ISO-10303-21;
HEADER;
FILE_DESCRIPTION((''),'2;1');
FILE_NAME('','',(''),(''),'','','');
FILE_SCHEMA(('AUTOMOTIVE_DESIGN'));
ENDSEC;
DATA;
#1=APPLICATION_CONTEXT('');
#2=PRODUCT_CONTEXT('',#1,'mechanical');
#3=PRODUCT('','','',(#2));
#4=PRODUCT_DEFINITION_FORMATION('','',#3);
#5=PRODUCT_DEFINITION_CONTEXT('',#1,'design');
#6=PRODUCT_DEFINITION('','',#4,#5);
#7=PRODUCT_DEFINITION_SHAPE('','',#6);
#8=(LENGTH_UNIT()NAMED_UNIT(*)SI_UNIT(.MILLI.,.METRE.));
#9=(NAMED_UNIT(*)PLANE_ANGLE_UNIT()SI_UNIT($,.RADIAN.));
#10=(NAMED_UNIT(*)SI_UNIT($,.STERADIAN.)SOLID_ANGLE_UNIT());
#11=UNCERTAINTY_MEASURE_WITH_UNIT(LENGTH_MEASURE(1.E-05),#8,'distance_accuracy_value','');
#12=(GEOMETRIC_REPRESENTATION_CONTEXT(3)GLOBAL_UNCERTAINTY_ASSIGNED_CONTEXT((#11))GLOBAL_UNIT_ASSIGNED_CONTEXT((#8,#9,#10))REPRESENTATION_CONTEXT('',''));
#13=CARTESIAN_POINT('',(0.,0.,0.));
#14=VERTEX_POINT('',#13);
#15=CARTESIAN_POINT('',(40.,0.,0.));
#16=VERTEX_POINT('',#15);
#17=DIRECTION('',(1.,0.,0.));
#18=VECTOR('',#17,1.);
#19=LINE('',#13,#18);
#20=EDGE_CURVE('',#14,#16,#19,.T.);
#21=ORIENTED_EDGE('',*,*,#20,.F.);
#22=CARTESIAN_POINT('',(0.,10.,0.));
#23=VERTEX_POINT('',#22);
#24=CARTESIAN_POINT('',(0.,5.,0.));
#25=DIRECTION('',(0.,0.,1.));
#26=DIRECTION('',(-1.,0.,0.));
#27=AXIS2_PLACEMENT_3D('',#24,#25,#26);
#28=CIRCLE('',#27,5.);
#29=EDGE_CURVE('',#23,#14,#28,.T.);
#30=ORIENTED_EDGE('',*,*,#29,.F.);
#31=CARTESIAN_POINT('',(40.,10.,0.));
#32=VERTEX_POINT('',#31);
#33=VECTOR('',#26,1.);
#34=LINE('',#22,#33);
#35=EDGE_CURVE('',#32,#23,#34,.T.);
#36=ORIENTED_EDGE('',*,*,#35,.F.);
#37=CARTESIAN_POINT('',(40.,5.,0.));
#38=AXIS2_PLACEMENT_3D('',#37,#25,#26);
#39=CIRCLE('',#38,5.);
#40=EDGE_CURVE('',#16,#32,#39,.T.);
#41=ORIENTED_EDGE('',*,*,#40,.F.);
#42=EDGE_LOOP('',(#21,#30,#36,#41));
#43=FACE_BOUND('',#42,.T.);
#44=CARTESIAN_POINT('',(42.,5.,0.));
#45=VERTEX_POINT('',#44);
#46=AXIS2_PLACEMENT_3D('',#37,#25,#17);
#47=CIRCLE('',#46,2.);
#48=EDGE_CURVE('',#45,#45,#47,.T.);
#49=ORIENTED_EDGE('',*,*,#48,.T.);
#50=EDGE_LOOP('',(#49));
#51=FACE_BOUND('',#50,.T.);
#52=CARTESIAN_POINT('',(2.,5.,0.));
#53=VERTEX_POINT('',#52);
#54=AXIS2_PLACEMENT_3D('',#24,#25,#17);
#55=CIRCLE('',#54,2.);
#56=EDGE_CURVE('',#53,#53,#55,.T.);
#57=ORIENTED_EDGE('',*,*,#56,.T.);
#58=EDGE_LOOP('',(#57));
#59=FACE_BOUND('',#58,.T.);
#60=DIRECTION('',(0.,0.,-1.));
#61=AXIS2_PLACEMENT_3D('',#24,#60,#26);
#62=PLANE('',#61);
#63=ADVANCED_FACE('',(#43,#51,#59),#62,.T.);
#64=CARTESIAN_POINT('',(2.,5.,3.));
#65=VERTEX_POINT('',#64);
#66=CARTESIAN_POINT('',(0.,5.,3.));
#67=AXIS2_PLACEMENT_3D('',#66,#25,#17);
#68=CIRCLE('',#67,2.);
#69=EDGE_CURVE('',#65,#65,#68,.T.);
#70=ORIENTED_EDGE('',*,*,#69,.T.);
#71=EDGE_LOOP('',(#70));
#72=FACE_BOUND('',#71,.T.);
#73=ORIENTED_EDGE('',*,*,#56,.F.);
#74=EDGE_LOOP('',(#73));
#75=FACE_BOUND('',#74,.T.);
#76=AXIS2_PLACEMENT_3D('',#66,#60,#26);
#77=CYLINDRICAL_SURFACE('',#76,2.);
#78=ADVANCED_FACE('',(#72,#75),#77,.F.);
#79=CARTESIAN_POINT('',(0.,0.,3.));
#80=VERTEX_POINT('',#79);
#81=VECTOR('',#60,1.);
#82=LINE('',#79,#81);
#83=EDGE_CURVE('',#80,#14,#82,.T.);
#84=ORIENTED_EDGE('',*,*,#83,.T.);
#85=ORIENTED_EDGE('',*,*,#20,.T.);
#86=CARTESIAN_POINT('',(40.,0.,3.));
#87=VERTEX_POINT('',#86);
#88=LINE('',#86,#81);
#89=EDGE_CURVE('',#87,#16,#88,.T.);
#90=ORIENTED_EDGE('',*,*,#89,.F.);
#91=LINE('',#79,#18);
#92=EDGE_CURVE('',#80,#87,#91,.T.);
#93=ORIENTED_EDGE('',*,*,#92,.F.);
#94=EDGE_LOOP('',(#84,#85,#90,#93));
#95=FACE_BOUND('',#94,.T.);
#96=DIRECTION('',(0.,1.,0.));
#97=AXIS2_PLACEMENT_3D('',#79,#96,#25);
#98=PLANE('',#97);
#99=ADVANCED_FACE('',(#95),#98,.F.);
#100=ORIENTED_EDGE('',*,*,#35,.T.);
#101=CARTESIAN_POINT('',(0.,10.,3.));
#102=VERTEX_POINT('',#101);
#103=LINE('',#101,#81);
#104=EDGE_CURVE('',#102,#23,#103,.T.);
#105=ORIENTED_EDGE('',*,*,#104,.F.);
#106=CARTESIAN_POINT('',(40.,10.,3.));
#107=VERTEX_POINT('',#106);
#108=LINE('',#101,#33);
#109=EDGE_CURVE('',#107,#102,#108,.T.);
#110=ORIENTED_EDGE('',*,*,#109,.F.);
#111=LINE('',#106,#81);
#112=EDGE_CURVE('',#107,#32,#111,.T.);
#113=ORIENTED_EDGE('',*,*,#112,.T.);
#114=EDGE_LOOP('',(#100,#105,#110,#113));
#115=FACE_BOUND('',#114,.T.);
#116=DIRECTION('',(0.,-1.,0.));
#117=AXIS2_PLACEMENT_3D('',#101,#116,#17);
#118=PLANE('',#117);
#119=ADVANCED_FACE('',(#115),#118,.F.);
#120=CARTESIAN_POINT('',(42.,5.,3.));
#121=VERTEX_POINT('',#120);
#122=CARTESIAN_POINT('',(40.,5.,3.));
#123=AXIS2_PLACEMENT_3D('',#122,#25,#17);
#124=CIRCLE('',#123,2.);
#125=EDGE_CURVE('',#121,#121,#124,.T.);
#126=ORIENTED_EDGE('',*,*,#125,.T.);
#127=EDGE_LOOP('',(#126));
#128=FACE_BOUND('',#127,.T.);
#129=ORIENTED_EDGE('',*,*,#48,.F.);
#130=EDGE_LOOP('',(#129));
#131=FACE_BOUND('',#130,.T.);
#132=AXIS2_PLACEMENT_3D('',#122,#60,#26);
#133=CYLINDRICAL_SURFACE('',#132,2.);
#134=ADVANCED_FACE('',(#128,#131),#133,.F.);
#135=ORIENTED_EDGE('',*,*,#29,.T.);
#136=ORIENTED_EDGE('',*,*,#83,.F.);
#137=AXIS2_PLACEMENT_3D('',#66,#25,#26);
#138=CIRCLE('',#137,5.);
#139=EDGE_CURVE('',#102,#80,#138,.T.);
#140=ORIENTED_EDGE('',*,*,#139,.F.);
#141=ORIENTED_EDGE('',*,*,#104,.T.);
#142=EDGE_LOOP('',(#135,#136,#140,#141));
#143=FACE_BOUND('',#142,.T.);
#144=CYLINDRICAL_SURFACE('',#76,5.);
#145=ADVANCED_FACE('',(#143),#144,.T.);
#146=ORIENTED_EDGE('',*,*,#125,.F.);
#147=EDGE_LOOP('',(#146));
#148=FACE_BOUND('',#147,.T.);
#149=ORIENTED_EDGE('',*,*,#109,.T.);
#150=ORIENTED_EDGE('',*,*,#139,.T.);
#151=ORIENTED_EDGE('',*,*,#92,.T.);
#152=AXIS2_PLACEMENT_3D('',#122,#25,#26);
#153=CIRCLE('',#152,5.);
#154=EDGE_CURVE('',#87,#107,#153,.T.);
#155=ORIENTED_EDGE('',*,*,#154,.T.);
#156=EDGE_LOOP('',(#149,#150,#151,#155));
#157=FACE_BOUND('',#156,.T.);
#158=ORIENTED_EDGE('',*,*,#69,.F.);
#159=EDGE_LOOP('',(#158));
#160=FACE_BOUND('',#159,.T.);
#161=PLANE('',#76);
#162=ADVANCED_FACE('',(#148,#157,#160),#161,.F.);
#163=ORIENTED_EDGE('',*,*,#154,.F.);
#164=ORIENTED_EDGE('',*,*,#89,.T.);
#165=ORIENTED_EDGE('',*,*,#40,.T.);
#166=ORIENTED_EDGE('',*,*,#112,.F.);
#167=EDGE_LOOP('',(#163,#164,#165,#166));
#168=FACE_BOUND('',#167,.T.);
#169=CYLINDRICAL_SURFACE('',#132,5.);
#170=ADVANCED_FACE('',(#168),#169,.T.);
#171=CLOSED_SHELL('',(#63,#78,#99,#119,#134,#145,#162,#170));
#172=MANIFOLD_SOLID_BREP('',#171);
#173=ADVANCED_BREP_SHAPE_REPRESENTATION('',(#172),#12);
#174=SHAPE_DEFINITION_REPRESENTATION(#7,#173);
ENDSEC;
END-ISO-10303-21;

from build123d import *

# Parameters (mm, degrees)
ESQUISSE1_R        = 2
BOSS_EXTRU_1_DEPTH = 3


with BuildPart() as part:
    # Esquisse1 → Boss.-Extru.1 (new body)
    with BuildSketch(Plane.XY):
        with BuildLine():
            Line((0, 0), (40, 0))
            ThreePointArc((40, 0), (45, 5), (40, 10))
            Line((40, 10), (0, 10))
            ThreePointArc((0, 10), (-5, 5), (0, 0))
        make_face()
        with Locations((0, 5)):
            Circle(ESQUISSE1_R, mode=Mode.SUBTRACT)
        with Locations((40, 5)):
            Circle(ESQUISSE1_R, mode=Mode.SUBTRACT)
    extrude(amount=BOSS_EXTRU_1_DEPTH)


solid = part.part
